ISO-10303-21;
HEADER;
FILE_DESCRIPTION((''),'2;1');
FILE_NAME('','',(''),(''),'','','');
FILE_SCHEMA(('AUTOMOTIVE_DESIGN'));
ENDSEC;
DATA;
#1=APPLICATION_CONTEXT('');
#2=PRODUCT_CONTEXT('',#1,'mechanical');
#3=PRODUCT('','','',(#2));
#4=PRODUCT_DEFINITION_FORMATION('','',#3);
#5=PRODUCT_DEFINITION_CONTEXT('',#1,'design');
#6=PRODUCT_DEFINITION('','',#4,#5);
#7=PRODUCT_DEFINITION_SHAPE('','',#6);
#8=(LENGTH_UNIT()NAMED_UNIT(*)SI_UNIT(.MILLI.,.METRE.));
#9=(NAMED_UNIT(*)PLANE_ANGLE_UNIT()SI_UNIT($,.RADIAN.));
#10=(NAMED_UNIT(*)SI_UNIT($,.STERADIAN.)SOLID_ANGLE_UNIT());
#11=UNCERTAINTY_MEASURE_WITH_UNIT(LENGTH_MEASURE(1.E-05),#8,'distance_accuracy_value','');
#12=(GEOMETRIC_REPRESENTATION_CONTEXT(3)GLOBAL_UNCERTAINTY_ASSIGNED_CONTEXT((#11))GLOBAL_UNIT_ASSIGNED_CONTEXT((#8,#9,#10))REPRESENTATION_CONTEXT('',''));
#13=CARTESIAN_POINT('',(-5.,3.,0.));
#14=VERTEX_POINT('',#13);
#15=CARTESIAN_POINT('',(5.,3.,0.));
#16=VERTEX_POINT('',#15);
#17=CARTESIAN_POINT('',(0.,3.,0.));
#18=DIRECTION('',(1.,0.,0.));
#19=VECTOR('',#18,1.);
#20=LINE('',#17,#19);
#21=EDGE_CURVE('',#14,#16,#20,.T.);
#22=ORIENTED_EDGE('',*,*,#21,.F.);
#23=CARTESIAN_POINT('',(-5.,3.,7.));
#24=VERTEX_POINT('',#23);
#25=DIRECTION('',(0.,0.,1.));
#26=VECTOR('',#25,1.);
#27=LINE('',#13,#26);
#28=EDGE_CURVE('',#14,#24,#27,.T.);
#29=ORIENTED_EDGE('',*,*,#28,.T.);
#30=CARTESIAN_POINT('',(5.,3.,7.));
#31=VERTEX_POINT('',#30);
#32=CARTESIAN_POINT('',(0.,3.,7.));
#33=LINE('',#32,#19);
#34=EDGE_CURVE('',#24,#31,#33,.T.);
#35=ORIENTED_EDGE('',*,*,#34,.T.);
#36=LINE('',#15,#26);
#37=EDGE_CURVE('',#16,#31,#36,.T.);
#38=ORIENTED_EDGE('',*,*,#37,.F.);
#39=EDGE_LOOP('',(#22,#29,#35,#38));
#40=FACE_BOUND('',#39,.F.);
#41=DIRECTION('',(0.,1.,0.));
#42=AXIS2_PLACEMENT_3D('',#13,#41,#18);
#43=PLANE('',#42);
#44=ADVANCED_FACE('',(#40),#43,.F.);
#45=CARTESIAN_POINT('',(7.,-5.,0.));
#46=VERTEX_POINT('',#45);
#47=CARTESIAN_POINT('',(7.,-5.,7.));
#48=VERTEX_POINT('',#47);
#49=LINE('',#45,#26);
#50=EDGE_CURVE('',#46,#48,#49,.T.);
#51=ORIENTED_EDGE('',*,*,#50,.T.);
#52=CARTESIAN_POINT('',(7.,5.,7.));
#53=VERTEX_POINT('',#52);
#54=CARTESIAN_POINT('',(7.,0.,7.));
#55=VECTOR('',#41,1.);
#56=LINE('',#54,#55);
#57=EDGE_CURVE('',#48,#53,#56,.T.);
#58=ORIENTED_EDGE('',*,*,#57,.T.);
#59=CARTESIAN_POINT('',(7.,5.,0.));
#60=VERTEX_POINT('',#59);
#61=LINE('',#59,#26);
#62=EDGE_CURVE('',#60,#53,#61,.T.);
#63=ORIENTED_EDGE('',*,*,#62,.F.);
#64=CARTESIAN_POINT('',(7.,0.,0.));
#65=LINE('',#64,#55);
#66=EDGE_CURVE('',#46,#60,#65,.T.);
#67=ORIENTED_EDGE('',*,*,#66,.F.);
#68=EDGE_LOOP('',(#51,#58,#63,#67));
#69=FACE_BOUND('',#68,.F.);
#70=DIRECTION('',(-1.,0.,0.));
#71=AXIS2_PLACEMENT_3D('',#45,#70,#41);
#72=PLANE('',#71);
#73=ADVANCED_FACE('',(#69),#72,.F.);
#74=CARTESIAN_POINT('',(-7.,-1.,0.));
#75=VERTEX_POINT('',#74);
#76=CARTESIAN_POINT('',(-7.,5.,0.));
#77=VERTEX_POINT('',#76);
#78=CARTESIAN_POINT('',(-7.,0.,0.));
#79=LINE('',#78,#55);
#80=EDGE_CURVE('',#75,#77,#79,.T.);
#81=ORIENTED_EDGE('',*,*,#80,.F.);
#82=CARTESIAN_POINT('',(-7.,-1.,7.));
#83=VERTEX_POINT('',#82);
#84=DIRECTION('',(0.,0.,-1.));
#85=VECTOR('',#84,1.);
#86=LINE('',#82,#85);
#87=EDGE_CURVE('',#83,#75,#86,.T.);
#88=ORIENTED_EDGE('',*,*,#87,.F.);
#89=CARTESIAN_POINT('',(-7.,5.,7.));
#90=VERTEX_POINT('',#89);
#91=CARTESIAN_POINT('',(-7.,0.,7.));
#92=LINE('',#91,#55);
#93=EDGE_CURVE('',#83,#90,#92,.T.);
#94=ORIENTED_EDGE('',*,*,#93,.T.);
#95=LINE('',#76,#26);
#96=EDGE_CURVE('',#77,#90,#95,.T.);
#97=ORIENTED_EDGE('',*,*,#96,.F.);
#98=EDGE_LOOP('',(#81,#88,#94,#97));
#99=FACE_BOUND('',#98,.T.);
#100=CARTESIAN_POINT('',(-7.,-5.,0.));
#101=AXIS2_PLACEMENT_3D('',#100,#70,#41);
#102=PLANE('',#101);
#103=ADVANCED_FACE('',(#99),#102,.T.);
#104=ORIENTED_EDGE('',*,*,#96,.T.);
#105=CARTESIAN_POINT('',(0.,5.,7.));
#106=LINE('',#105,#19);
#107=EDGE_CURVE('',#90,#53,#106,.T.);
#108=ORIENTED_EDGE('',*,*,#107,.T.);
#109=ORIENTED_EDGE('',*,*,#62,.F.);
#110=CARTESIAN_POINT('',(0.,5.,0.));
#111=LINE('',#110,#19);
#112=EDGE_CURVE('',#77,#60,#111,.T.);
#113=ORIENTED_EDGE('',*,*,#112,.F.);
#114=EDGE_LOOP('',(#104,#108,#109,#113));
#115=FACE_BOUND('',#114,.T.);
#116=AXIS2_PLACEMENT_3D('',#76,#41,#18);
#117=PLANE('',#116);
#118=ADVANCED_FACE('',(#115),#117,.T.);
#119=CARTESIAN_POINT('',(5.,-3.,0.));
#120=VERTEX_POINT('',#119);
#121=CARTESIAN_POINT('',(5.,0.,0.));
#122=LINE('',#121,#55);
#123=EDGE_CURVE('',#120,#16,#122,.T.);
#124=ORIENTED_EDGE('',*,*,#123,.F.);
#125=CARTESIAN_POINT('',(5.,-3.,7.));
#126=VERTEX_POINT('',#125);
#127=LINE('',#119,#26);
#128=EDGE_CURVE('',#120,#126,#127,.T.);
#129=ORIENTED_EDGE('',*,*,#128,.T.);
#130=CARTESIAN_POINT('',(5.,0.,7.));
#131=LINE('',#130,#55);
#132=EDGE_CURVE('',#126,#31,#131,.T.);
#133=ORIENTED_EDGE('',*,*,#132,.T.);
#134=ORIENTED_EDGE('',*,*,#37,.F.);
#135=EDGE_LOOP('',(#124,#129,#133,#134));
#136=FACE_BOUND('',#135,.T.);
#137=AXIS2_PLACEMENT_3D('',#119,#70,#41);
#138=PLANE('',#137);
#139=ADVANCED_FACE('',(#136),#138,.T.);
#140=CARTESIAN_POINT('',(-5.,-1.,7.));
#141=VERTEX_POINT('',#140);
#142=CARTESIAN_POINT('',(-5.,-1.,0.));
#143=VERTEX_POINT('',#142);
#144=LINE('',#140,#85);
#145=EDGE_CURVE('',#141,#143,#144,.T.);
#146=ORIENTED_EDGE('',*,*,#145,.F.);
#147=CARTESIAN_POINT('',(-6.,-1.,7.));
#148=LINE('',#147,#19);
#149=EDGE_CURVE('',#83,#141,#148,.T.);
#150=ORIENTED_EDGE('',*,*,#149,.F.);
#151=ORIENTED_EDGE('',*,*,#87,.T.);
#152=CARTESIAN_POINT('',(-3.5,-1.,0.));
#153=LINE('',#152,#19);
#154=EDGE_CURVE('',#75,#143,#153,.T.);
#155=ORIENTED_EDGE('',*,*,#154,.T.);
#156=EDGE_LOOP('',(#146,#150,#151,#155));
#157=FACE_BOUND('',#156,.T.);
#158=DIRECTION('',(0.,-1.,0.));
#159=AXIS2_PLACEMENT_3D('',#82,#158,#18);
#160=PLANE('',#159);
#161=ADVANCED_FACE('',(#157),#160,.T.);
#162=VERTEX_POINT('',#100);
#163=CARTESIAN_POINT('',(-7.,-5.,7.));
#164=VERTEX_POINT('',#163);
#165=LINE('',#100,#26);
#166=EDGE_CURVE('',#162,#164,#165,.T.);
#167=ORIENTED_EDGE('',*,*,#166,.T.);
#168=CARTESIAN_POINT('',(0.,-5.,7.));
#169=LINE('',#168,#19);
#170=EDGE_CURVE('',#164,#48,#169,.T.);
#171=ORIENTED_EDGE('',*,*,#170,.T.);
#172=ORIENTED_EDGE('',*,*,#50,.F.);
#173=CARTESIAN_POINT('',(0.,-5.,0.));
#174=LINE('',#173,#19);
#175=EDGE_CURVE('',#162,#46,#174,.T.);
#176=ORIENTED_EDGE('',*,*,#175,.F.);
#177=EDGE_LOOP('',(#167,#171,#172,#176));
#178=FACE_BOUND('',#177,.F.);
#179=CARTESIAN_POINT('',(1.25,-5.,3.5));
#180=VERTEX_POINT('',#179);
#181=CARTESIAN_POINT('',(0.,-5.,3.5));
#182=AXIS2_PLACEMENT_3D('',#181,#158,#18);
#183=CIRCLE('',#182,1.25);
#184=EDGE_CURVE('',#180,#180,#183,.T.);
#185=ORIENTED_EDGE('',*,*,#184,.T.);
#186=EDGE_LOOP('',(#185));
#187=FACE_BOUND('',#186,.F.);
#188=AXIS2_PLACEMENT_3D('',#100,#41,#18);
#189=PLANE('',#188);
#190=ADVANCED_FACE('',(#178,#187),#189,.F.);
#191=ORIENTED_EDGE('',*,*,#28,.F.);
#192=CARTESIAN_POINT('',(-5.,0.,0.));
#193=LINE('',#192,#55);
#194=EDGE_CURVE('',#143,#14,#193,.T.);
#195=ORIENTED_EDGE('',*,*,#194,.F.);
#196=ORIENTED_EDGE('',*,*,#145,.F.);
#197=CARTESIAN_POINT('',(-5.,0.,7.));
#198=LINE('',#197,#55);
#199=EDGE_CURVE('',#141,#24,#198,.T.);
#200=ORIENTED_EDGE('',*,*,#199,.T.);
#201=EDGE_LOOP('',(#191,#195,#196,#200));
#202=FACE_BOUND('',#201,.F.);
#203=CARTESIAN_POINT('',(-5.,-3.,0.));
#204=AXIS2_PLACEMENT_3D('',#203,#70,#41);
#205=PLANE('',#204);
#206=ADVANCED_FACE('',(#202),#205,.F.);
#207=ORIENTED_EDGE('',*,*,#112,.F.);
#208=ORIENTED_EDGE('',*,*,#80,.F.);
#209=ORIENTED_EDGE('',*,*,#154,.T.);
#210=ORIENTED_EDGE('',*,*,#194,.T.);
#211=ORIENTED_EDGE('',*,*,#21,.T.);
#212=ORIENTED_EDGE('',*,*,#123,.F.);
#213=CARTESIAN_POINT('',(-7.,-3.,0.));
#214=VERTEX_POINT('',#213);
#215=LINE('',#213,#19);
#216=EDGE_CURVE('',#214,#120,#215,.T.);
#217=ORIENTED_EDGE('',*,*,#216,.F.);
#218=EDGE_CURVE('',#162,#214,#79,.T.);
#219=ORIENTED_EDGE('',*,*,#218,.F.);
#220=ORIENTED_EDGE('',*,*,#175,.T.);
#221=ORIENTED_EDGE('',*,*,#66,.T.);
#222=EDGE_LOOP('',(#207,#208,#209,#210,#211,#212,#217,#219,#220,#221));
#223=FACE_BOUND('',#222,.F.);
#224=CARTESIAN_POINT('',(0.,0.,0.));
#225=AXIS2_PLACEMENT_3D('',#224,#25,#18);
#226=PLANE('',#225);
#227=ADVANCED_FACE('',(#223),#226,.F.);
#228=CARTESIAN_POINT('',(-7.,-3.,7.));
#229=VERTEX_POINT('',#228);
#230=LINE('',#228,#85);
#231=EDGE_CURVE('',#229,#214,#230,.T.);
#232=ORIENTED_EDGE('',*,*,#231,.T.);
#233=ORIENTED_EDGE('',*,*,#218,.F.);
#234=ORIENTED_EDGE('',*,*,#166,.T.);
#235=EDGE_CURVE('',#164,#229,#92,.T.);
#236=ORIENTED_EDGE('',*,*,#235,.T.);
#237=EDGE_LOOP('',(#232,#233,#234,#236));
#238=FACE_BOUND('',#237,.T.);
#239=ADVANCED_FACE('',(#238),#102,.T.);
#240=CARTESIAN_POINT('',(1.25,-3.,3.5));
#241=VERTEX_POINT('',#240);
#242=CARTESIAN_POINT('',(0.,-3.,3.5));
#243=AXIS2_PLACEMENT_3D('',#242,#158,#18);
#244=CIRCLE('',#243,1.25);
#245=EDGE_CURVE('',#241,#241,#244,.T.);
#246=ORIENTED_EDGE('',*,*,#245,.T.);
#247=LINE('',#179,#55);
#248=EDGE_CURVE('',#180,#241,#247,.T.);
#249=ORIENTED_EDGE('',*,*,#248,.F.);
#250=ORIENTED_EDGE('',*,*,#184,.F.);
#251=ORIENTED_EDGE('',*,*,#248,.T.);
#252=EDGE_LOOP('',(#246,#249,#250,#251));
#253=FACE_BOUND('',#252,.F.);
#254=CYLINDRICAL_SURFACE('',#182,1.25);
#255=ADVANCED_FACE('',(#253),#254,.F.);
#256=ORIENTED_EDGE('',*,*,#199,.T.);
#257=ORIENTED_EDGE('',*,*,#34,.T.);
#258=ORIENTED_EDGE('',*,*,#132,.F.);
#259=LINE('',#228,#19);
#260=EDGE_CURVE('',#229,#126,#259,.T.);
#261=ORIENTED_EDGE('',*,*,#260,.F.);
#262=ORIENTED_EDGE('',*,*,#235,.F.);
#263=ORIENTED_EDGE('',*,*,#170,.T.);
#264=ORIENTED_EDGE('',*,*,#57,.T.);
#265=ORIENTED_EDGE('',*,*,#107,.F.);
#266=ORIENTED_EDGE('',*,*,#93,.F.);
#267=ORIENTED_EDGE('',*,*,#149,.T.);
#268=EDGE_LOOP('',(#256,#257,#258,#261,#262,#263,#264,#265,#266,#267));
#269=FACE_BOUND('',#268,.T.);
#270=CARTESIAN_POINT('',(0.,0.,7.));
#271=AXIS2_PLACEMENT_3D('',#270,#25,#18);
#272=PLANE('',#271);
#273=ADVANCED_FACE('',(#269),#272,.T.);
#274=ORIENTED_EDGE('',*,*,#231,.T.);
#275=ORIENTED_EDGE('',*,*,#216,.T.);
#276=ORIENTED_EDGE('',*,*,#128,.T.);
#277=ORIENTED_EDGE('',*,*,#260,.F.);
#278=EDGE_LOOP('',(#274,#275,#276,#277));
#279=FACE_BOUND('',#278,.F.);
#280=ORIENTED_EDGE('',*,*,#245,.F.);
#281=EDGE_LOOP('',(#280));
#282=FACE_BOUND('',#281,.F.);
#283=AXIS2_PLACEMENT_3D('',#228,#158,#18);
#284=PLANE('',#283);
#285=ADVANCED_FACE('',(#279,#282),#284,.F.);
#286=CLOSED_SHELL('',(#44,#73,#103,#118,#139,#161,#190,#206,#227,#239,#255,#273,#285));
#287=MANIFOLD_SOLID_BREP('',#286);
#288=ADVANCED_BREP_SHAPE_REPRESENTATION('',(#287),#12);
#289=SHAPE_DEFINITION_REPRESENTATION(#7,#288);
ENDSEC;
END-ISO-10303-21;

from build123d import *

# Parameters (mm, degrees)
F0_W     = 14
F0_H     = 10
F0_W_2   = 10
F0_H_2   = 6
F1_DEPTH = 7
F2_W     = 2
F2_H     = 2
F3_DEPTH = 10
F4_R     = 1.25
F5_DEPTH = 5


with BuildPart() as f1:
    # F0 (on Top) → F1 (new body)
    with BuildSketch(Plane.XY):
        Rectangle(F0_W, F0_H)
        Rectangle(F0_W_2, F0_H_2, mode=Mode.SUBTRACT)
    extrude(amount=F1_DEPTH)

    # F2 (on face) → F3 (cut)
    with BuildSketch(Plane.XY.offset(7)):
        with Locations((-6, -2)):
            Rectangle(F2_W, F2_H)
    extrude(amount=-F3_DEPTH, mode=Mode.SUBTRACT)

    # F4 (on face) → F5 (cut)
    with BuildSketch(Plane.XZ.offset(5)):
        with Locations((0, 3.5)):
            Circle(F4_R)
    extrude(amount=-F5_DEPTH, mode=Mode.SUBTRACT)


solid = f1.part
